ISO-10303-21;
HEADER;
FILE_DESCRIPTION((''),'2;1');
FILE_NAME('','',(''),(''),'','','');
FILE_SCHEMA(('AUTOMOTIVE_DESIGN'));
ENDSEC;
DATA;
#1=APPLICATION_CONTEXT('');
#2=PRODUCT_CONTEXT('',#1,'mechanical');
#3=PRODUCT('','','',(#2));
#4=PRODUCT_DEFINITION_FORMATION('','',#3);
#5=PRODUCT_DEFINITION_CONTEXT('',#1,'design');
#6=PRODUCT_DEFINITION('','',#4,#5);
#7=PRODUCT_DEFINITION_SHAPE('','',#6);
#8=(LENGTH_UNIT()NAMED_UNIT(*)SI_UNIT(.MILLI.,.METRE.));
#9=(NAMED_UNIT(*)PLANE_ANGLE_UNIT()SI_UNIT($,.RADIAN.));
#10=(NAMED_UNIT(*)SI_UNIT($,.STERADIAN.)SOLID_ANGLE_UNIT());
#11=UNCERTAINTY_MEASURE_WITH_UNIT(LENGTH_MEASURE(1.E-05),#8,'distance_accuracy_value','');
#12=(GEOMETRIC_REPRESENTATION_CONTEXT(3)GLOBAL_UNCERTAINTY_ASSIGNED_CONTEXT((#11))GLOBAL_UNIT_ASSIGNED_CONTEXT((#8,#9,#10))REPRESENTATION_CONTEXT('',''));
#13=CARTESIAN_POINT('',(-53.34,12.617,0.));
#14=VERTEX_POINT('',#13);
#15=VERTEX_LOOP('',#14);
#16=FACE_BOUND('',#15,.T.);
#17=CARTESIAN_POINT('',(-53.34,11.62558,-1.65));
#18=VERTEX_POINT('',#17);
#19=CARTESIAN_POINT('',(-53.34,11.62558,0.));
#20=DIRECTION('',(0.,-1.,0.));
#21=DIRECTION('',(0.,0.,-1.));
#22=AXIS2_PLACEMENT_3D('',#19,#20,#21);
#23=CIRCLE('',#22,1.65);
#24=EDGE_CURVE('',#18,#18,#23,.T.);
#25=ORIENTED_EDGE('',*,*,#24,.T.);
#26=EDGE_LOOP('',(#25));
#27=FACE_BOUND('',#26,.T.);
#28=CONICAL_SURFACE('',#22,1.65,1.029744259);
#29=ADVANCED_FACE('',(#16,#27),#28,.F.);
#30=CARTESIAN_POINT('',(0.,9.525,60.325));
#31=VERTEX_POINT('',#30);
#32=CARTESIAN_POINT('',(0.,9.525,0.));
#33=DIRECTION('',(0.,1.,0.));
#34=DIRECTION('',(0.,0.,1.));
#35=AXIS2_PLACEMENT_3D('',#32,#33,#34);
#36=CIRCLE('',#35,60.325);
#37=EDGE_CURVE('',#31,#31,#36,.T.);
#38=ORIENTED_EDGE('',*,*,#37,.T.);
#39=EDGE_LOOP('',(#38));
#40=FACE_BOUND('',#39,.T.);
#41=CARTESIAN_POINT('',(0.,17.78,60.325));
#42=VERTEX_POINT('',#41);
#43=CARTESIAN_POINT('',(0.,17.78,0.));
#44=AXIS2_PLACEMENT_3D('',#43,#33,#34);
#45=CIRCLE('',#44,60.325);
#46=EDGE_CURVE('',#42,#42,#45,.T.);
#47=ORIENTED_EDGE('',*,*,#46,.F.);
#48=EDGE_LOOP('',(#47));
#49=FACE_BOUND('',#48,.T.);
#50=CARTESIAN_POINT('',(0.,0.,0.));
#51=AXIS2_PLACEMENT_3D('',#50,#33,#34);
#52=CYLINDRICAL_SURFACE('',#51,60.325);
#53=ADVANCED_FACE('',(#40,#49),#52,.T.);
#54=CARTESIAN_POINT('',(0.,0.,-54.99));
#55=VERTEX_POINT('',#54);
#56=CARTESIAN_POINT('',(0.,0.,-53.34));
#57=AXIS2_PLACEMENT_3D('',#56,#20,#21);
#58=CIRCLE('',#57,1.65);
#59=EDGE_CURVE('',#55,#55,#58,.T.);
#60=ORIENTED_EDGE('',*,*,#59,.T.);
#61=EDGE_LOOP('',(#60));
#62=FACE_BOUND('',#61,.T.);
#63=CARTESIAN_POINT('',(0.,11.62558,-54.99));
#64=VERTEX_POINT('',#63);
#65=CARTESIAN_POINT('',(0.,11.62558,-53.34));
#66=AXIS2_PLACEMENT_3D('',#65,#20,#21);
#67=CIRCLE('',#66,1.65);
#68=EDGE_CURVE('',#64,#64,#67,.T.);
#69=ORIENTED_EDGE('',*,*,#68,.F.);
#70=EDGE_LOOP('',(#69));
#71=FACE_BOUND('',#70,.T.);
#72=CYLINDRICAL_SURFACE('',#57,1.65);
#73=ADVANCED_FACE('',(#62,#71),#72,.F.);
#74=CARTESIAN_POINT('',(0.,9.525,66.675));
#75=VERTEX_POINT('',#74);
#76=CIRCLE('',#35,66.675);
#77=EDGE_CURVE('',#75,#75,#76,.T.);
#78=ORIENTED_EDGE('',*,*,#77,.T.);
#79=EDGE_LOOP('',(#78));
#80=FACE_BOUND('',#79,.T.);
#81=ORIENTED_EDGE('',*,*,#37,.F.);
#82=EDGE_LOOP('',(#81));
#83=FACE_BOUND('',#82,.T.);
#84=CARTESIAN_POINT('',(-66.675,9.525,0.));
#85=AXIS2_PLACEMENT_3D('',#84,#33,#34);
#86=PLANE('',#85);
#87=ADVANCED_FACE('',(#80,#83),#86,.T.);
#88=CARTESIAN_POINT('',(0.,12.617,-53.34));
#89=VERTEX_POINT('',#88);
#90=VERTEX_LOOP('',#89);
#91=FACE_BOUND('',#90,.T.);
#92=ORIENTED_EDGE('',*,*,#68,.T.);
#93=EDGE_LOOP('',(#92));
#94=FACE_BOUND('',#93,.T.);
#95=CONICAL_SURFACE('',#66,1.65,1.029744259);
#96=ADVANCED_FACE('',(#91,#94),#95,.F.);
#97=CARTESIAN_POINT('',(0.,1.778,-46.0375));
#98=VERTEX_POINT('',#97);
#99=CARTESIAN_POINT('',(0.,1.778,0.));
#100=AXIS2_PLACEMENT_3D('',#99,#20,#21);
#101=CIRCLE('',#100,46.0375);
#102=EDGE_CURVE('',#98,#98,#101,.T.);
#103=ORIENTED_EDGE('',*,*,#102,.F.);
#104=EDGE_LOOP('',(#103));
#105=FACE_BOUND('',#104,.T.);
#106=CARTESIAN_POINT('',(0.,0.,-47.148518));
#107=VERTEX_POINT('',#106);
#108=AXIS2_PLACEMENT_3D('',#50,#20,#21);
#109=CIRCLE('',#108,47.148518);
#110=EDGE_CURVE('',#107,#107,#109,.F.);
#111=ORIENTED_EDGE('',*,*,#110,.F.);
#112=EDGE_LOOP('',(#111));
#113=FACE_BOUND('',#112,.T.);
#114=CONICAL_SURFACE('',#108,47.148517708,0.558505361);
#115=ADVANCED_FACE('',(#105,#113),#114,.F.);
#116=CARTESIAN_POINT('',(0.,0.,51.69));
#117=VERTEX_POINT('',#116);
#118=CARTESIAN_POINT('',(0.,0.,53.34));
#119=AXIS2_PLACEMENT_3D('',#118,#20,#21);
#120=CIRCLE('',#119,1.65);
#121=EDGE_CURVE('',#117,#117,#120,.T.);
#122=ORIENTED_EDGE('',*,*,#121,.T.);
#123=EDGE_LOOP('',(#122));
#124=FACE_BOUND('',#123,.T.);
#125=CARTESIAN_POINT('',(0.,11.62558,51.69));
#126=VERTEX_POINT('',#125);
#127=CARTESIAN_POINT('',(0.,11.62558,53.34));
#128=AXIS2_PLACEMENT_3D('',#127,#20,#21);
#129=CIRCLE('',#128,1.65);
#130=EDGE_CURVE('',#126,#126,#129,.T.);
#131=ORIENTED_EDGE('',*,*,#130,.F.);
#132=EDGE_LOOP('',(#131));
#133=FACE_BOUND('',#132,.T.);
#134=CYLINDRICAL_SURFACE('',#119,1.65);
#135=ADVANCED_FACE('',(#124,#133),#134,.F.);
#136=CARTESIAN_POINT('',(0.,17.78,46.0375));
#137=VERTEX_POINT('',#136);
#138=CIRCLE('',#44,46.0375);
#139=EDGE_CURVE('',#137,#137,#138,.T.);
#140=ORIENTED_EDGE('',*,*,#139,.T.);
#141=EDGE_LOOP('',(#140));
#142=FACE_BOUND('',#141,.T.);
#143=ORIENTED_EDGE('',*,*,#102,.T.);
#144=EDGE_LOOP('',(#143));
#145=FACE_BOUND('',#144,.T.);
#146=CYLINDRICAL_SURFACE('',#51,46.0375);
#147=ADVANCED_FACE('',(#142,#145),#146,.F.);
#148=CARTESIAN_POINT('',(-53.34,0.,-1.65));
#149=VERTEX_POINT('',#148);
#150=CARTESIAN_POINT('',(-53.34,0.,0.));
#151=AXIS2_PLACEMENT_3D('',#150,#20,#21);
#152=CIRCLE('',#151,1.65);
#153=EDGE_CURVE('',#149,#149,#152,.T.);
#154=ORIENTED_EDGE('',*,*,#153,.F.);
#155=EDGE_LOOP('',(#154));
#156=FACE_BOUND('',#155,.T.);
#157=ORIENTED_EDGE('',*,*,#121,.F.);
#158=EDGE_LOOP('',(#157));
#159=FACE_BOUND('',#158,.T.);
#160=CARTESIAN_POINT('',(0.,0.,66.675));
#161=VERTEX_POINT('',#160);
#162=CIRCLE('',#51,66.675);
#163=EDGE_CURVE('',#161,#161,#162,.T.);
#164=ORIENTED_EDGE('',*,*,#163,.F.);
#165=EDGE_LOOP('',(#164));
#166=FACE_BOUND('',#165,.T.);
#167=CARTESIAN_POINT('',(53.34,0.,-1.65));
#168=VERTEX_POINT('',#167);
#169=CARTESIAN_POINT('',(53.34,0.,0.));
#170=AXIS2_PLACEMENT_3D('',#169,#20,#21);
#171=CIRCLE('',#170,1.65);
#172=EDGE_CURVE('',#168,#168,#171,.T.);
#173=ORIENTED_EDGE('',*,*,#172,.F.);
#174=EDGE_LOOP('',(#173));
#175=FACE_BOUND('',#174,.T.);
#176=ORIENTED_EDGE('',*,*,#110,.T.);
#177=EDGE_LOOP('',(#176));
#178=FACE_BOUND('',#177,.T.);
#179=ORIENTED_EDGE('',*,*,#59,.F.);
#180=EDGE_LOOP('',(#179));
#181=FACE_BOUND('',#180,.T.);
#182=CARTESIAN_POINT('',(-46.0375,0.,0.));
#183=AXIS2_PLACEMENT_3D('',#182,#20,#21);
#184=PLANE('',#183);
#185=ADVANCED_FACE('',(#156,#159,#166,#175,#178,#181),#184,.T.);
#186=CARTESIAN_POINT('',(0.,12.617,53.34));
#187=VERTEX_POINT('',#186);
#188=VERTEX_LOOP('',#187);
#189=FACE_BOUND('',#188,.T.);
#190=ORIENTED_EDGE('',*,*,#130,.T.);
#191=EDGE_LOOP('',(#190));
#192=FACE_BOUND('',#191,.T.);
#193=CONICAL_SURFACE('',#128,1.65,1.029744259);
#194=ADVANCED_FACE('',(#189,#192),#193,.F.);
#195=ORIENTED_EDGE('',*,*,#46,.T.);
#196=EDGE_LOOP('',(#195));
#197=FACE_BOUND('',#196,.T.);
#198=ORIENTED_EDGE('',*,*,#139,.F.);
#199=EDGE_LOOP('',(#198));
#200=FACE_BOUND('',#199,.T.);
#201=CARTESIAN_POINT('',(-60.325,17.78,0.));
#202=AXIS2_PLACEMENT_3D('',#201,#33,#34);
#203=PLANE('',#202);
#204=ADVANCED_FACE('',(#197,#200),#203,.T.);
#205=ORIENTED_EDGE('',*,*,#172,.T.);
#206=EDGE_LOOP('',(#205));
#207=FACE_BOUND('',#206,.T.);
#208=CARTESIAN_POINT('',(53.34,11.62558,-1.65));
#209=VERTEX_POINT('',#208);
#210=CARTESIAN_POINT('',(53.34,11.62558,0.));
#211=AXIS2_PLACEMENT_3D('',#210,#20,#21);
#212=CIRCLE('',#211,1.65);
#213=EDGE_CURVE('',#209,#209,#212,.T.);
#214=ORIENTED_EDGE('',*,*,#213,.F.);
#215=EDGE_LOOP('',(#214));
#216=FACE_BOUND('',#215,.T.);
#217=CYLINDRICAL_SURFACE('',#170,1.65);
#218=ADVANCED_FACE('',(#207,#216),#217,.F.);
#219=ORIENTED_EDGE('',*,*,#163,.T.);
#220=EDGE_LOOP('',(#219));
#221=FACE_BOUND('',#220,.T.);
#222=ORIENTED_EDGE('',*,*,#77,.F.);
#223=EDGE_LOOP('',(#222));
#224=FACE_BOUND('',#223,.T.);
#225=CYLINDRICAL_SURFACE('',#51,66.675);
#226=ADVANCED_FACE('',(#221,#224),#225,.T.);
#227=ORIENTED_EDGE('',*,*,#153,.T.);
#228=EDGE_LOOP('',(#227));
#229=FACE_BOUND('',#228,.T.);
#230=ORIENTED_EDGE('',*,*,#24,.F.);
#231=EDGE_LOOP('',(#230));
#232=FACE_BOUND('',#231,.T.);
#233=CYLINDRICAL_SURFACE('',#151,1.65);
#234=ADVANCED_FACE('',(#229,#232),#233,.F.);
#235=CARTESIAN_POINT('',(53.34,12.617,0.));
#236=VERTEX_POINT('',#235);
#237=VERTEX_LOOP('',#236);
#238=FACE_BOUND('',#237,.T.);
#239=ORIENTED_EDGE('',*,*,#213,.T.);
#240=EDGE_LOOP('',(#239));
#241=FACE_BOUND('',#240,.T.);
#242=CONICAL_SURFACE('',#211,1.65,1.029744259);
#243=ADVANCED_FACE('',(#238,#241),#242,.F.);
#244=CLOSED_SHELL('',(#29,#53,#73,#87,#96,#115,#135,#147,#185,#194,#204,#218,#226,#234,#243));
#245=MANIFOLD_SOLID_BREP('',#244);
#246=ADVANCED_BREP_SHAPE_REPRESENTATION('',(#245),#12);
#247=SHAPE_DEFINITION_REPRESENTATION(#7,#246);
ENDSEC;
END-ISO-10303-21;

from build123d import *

# Parameters (mm, degrees)
CHAMFER1_SIZE     = 1.778
CHAMFER1_SIZE2    = 1.111017708
CIRPATTERN1_COUNT = 4


with BuildPart() as part:
    # Sketch2 → Revolve1 (revolve)
    with BuildSketch(Plane.XY, mode=Mode.PRIVATE) as revolve1_sk:
        Polygon((-46.0375, 0), (-66.675, 0), (-66.675, 9.525), (-60.325, 9.525), (-60.325, 17.78), (-46.0375, 17.78), align=None)
    revolve(revolve1_sk.sketch.rotate(Axis((0, 0, 0), (0, -1, 0)), 270), axis=Axis((0, 0, 0), (0, -1, 0)))

    # Chamfer1
    chamfer1_edges = [part.edges().sort_by_distance(p)[0] for p in [
        (0, 0, -46.0375),
    ]]
    chamfer1_side = [part.faces().sort_by_distance(p)[0] for p in [
        (0, 8.89, -46.0375),
    ]]
    chamfer(chamfer1_edges, length=CHAMFER1_SIZE, length2=CHAMFER1_SIZE2, reference=chamfer1_side[0])

    # Sketch5 → M4x0.7 Tapped Hole2 (revolve, cut)
    with BuildSketch(Plane(origin=(0, 0, 53.34), x_dir=(0, 0, -1), z_dir=(1, 0, 0))):
        Polygon((0, 0), (0, 12.617000021), (1.65, 11.62558), (1.65, 0), align=None)
    m4x0_7_tapped_hole2 = revolve(axis=Axis((0, -6.35, 53.34), (0, 1, 0)), mode=Mode.SUBTRACT)

    # CirPattern1: M4x0.7 Tapped Hole2 ×4 about axis
    cirpattern1_axis = Axis((0, 0, 0), (0, 1, 0))
    for i in range(1, CIRPATTERN1_COUNT):
        add(m4x0_7_tapped_hole2.rotate(cirpattern1_axis, i * 360 / CIRPATTERN1_COUNT), mode=Mode.SUBTRACT)


solid = part.part
